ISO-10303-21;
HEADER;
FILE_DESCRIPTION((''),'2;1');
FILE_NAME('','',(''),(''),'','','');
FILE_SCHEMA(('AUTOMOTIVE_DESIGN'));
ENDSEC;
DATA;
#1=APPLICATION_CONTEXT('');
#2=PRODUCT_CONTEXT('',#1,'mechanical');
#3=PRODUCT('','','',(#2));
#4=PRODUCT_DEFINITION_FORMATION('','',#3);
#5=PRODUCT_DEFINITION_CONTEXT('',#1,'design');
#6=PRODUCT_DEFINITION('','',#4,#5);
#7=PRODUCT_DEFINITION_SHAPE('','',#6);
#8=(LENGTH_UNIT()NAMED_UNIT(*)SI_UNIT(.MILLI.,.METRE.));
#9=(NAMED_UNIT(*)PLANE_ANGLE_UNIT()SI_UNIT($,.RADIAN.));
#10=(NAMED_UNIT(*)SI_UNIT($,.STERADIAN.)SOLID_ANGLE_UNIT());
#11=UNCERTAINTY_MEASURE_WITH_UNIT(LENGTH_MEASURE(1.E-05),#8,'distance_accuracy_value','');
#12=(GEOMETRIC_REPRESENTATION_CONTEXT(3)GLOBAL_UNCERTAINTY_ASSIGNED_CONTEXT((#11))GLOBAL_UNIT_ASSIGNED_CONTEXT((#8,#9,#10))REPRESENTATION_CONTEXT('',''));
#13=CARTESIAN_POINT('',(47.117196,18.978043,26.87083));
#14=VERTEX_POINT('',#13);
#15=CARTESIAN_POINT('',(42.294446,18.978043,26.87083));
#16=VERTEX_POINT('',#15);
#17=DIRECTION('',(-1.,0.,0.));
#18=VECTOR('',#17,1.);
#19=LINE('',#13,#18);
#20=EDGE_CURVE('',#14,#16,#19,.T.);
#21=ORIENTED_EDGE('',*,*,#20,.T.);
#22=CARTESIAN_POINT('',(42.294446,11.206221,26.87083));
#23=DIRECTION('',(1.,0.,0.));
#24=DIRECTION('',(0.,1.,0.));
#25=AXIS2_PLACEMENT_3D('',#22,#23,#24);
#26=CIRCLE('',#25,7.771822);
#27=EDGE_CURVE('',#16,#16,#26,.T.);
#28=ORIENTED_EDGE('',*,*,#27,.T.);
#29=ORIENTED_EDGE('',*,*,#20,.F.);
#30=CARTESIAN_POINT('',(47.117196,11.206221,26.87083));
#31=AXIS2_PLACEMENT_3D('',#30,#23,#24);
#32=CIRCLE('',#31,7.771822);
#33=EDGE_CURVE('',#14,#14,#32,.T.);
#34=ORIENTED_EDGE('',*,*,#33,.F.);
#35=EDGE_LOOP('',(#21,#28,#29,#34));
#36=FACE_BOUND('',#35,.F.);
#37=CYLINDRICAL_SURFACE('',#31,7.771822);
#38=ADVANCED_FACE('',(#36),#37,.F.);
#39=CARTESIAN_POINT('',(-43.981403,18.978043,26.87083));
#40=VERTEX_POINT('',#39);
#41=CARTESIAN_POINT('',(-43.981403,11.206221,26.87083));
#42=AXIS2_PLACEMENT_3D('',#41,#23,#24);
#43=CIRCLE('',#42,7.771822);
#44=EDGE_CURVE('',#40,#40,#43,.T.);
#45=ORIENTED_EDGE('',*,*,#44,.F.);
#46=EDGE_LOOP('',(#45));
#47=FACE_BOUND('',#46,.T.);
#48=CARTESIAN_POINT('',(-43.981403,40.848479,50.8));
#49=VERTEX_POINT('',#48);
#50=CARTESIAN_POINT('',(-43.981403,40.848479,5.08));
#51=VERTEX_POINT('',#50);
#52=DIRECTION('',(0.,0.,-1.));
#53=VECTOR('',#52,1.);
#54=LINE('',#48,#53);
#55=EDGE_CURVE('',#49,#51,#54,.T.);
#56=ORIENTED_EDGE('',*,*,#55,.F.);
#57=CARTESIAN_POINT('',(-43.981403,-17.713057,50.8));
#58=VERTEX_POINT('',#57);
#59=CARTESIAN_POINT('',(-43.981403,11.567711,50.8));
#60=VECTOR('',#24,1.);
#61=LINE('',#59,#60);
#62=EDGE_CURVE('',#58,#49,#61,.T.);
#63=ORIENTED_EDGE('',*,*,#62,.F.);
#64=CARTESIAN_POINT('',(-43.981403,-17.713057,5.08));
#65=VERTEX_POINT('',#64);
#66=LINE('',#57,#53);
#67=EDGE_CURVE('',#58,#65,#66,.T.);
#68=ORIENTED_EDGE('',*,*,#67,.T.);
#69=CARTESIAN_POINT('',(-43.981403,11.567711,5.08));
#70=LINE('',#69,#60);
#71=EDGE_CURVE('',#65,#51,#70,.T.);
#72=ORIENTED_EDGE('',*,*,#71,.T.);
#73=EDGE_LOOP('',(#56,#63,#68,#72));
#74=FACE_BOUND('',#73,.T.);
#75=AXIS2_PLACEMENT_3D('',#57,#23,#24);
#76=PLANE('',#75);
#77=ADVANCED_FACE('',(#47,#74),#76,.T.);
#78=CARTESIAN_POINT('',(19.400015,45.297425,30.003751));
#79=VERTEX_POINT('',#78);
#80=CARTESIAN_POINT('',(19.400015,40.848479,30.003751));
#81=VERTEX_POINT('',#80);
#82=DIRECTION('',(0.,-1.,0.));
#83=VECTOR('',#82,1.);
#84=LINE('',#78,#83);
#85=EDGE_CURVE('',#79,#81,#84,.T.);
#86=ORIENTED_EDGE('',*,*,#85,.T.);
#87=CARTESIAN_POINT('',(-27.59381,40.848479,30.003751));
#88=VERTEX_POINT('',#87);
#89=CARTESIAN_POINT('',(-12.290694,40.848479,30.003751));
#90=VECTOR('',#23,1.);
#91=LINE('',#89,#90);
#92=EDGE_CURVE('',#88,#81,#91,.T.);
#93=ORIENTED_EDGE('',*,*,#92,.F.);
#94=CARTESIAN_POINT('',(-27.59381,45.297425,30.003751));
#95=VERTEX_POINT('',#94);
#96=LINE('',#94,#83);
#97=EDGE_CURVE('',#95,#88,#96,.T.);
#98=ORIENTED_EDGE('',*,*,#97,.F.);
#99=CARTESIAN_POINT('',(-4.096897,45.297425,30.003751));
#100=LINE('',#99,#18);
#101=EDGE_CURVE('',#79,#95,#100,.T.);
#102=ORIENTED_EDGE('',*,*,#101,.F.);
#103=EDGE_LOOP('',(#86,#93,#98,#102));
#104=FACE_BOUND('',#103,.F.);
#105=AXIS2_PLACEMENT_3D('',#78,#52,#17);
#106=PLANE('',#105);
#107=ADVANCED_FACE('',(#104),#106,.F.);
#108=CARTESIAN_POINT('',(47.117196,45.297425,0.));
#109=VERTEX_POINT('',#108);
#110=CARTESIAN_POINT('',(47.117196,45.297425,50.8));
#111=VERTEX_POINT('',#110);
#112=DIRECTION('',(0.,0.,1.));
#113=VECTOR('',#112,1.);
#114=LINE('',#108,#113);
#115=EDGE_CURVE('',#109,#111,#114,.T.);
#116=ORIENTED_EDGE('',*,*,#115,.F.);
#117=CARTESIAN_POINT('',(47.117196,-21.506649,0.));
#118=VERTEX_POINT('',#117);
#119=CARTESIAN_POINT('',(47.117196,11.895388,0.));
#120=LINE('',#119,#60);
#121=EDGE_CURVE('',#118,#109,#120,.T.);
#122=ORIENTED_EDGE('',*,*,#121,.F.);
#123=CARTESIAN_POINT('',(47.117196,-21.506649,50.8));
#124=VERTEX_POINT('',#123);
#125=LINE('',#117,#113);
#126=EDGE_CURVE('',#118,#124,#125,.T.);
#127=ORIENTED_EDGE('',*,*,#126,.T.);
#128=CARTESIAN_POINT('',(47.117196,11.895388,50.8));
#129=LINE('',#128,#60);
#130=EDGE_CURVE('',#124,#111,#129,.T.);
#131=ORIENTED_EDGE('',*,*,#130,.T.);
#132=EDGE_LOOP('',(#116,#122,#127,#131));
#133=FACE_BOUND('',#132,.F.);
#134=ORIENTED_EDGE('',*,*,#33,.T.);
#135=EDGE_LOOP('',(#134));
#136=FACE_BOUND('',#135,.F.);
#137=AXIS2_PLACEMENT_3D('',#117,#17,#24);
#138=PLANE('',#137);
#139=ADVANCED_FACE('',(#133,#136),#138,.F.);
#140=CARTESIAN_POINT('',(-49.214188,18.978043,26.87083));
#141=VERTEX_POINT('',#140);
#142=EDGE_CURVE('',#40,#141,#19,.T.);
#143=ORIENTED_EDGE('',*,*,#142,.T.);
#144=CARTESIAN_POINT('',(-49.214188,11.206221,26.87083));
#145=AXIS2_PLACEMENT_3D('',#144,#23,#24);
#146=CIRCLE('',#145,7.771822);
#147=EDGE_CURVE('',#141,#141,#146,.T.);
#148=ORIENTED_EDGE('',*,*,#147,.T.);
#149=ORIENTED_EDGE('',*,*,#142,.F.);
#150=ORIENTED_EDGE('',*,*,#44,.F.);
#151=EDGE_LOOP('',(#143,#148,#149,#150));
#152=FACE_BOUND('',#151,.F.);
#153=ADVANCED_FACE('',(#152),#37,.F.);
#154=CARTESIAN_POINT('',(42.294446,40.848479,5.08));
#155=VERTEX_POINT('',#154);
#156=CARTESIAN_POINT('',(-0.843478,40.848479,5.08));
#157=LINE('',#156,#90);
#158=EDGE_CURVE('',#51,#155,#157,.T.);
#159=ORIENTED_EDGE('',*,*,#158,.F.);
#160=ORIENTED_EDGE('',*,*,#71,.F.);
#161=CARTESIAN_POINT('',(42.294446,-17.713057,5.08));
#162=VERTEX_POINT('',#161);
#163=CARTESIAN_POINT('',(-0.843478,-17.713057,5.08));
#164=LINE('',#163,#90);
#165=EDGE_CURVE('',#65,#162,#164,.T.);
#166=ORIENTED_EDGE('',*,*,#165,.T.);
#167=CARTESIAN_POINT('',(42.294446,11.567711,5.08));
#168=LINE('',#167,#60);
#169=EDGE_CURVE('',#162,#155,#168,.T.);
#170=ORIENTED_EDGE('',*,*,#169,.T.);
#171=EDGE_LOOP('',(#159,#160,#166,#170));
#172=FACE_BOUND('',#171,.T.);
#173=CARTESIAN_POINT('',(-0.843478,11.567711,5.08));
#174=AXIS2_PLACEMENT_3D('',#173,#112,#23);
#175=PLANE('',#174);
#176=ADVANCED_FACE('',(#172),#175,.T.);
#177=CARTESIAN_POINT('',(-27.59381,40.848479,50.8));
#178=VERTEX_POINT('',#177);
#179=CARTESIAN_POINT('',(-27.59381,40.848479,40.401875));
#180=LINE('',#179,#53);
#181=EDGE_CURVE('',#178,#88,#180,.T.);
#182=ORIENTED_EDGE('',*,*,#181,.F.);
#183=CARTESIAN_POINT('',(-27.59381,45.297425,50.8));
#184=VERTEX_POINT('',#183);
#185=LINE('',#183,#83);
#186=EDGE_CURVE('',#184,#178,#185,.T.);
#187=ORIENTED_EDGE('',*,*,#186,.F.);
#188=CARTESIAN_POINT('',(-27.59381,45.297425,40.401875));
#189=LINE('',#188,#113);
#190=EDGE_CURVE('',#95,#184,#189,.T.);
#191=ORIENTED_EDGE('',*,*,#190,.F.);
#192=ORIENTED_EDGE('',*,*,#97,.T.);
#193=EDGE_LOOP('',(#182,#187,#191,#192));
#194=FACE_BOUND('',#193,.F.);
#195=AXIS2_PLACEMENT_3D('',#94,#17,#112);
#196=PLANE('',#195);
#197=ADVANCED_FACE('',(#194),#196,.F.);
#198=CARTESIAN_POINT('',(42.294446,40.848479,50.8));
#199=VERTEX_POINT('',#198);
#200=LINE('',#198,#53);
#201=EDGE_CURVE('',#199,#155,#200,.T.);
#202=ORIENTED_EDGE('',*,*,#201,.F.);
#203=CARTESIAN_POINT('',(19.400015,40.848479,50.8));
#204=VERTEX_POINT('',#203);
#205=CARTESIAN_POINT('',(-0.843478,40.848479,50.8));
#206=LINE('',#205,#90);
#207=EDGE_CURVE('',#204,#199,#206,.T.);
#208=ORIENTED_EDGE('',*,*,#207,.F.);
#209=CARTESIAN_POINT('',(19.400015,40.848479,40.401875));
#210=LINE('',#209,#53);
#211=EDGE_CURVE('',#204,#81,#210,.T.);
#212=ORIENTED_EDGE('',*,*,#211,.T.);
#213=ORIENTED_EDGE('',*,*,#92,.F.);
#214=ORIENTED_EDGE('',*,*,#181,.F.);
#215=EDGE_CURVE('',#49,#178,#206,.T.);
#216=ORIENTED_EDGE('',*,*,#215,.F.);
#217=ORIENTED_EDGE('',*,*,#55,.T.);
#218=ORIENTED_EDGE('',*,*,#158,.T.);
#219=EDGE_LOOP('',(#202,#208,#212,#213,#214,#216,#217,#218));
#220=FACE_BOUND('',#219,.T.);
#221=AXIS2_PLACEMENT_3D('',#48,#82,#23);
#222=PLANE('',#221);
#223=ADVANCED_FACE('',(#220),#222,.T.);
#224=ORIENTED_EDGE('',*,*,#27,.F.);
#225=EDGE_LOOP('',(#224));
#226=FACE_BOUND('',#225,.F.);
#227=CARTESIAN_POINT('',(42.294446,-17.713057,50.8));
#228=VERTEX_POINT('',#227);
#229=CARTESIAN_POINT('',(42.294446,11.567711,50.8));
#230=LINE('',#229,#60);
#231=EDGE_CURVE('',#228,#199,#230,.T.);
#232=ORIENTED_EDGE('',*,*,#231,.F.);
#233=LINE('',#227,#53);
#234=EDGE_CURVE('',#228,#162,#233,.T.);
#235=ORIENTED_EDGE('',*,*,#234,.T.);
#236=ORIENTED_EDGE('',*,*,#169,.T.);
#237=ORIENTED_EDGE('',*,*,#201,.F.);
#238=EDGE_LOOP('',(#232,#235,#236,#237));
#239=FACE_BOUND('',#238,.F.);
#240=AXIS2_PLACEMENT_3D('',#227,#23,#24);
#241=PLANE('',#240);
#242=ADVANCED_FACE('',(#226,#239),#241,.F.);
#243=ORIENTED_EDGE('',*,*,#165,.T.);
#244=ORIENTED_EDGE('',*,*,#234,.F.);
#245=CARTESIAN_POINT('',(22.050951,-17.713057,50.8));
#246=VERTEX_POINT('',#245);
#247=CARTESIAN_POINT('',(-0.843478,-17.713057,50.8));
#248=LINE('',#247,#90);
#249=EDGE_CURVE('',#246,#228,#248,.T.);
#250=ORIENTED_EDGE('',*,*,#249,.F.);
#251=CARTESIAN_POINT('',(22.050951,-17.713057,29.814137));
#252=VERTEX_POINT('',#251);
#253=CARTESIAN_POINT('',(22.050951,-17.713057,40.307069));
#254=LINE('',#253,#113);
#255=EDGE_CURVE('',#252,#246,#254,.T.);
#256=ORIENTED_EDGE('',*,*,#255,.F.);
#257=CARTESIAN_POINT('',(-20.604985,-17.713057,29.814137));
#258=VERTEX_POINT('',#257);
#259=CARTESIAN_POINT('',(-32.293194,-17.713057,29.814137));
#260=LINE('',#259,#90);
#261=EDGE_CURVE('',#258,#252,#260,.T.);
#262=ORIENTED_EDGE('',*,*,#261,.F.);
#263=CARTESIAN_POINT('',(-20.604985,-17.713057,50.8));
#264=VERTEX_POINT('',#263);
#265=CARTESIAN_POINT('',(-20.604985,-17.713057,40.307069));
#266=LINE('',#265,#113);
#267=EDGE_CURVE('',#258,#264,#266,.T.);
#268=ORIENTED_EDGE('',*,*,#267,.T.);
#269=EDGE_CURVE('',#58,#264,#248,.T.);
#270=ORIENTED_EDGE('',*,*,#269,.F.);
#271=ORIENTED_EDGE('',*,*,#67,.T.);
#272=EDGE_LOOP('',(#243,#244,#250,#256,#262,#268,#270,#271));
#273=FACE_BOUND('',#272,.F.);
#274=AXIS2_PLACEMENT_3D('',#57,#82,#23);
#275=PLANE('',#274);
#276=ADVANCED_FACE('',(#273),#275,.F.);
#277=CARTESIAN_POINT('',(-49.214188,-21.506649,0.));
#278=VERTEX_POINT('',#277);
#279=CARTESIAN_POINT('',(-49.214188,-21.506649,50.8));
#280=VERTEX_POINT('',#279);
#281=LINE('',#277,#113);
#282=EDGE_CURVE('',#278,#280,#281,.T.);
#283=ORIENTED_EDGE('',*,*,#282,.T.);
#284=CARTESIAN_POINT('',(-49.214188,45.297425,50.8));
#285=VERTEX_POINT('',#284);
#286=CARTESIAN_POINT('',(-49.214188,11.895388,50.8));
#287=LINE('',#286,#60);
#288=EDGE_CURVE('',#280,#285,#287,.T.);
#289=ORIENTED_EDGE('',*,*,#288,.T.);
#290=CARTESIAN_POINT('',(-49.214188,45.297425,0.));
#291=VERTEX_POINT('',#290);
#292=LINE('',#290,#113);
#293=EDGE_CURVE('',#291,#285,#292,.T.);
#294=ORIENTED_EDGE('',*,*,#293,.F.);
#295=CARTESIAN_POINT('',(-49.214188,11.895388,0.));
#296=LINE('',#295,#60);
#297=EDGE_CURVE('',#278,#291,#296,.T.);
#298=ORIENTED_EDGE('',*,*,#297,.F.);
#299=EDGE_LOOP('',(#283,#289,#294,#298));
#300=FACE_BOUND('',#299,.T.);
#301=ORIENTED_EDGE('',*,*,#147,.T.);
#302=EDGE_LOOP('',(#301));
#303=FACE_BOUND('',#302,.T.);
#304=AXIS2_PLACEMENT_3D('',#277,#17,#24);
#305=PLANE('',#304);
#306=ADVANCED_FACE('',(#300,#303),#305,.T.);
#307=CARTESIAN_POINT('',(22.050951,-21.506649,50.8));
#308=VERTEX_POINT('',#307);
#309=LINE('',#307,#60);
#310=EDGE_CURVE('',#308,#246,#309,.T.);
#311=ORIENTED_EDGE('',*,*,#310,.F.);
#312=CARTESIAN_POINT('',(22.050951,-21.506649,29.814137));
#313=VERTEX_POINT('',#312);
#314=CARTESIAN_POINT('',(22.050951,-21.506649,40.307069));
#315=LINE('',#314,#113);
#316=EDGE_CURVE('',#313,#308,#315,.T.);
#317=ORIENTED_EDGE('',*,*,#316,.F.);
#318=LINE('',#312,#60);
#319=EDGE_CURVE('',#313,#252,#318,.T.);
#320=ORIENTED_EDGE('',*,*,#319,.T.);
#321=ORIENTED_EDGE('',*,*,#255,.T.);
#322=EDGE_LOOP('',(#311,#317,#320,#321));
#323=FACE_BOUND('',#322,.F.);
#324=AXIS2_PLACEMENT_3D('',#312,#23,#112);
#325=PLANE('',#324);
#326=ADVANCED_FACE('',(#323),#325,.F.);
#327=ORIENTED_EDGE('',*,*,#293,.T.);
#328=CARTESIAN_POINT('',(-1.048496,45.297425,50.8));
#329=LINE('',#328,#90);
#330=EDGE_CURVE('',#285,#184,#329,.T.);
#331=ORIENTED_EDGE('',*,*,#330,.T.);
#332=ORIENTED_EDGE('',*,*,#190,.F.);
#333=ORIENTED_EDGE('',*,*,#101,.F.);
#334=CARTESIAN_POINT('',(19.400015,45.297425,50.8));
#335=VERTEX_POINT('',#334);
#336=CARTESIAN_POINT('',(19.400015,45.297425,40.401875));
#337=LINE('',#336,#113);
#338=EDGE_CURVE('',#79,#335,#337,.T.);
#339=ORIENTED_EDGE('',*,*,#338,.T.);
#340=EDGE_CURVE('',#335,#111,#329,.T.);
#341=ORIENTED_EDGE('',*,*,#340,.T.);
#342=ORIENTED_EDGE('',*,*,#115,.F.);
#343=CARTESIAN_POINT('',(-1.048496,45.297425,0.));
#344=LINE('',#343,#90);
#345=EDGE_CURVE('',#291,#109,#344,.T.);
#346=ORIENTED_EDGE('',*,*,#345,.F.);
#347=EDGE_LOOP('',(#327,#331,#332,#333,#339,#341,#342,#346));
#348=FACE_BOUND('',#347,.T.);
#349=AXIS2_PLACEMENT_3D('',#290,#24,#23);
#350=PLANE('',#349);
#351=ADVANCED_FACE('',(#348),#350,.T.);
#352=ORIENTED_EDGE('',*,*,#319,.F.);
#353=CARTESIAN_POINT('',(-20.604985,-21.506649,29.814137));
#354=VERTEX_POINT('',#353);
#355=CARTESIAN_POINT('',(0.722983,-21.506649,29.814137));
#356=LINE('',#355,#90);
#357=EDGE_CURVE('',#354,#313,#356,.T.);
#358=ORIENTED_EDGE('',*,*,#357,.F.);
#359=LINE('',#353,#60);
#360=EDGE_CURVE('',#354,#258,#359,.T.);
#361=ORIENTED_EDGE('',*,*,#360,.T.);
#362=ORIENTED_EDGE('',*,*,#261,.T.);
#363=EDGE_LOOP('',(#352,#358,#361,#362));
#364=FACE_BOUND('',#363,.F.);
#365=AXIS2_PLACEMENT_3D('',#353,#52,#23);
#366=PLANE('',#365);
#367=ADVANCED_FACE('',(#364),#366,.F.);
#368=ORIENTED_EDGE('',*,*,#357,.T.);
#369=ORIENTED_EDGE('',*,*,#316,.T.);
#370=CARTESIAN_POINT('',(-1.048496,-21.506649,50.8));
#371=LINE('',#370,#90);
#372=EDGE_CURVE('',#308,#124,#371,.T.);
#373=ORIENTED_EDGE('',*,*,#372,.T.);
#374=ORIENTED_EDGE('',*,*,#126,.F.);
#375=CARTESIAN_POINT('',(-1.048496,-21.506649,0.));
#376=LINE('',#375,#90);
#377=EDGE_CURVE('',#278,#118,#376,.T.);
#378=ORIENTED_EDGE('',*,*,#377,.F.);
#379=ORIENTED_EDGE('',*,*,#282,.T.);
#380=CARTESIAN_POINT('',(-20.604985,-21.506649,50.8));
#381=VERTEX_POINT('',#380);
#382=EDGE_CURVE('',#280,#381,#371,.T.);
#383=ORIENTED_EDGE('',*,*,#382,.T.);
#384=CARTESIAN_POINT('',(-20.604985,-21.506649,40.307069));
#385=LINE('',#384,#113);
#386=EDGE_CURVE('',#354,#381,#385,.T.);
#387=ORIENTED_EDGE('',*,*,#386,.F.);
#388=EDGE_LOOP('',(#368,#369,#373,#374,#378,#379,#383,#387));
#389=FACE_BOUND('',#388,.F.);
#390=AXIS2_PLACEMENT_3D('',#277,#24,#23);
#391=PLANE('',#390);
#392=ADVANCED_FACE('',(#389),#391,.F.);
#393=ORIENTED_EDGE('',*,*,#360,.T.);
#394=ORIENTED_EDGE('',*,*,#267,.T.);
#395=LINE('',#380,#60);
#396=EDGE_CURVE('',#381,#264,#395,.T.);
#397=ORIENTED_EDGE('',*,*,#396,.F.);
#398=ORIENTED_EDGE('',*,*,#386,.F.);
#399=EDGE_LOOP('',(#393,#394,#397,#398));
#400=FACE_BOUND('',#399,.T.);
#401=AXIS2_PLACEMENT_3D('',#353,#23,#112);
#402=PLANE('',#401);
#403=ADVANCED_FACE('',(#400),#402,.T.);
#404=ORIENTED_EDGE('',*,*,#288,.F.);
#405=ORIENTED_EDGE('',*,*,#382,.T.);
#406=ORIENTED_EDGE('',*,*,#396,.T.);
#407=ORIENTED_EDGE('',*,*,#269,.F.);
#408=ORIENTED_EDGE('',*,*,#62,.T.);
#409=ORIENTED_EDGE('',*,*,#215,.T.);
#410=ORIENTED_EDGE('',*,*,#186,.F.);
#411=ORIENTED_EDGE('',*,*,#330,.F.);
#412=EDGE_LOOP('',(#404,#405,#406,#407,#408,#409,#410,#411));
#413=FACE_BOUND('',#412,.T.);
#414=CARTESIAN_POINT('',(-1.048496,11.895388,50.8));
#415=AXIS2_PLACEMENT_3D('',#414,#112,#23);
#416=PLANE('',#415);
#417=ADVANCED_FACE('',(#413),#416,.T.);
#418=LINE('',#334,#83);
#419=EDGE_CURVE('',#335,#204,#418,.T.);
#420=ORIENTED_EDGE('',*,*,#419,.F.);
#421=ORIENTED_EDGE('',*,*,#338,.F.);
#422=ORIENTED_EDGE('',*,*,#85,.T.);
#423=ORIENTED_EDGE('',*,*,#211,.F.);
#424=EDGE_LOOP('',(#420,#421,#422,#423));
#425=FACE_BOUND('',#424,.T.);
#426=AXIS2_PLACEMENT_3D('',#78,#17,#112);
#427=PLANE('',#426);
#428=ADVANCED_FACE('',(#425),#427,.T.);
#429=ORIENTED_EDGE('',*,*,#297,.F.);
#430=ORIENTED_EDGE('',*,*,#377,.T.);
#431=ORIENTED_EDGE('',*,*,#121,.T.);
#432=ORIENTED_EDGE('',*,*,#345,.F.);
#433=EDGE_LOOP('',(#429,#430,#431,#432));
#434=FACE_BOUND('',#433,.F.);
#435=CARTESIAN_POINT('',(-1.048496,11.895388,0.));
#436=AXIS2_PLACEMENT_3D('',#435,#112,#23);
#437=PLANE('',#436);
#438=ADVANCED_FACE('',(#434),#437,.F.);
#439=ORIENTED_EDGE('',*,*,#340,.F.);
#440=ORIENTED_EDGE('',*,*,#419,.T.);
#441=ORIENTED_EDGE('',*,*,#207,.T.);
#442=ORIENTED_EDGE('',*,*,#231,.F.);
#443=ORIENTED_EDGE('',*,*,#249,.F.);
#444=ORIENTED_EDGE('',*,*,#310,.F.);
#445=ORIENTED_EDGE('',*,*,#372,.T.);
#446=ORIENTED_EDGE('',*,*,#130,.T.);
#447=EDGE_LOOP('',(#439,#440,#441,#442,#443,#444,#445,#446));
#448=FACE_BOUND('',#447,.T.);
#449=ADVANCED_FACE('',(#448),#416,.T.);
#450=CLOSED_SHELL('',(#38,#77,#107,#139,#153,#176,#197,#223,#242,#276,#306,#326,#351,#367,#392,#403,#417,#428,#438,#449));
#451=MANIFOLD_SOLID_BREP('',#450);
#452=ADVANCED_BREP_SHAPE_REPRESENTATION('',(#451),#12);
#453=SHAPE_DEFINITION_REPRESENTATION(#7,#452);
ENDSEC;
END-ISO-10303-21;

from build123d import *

# Parameters (mm, degrees)
F0_W     = 96.331384033
F0_H     = 66.804073751
F1_DEPTH = 50.8
F2_W     = 86.2758494914
F2_H     = 58.5615355521
F3_DEPTH = 45.72
F4_W     = 42.655935511
F4_H     = 20.9858628541
F5_DEPTH = 25.4
F6_W     = 46.9938255847
F6_H     = 20.7962493032
F7_DEPTH = 25.4
F8_R     = 7.7718220909
F9_DEPTH = 127


with BuildPart() as f1:
    # F0 (on Top) → F1 (new body)
    with BuildSketch(Plane.XY):
        with Locations((-1.048495993, 11.8953883648)):
            Rectangle(F0_W, F0_H)
    extrude(amount=F1_DEPTH)

    # F2 (on face) → F3 (cut)
    with BuildSketch(Plane.XY.offset(50.8)):
        with Locations((-0.8434783667, 11.5677108988)):
            Rectangle(F2_W, F2_H)
    extrude(amount=-F3_DEPTH, mode=Mode.SUBTRACT)

    # F4 (on face) → F5 (cut)
    with BuildSketch(Plane.XZ.offset(21.5066485107)):
        with Locations((0.7229829207, 40.3070685729)):
            Rectangle(F4_W, F4_H)
    extrude(amount=-F5_DEPTH, mode=Mode.SUBTRACT)

    # F6 (on face) → F7 (cut)
    with BuildSketch(Plane(origin=(0, 45.2974252403, 0), x_dir=(-1, 0, 0), z_dir=(0, 1, 0))):
        with Locations((4.096897319, 40.4018753484)):
            Rectangle(F6_W, F6_H)
    extrude(amount=-F7_DEPTH, mode=Mode.SUBTRACT)

    # F8 (on face) → F9 (cut)
    with BuildSketch(Plane.YZ.offset(47.1171960235)):
        with Locations((11.2062208354, 26.8708299845)):
            Circle(F8_R)
    extrude(amount=-F9_DEPTH, mode=Mode.SUBTRACT)


solid = f1.part
